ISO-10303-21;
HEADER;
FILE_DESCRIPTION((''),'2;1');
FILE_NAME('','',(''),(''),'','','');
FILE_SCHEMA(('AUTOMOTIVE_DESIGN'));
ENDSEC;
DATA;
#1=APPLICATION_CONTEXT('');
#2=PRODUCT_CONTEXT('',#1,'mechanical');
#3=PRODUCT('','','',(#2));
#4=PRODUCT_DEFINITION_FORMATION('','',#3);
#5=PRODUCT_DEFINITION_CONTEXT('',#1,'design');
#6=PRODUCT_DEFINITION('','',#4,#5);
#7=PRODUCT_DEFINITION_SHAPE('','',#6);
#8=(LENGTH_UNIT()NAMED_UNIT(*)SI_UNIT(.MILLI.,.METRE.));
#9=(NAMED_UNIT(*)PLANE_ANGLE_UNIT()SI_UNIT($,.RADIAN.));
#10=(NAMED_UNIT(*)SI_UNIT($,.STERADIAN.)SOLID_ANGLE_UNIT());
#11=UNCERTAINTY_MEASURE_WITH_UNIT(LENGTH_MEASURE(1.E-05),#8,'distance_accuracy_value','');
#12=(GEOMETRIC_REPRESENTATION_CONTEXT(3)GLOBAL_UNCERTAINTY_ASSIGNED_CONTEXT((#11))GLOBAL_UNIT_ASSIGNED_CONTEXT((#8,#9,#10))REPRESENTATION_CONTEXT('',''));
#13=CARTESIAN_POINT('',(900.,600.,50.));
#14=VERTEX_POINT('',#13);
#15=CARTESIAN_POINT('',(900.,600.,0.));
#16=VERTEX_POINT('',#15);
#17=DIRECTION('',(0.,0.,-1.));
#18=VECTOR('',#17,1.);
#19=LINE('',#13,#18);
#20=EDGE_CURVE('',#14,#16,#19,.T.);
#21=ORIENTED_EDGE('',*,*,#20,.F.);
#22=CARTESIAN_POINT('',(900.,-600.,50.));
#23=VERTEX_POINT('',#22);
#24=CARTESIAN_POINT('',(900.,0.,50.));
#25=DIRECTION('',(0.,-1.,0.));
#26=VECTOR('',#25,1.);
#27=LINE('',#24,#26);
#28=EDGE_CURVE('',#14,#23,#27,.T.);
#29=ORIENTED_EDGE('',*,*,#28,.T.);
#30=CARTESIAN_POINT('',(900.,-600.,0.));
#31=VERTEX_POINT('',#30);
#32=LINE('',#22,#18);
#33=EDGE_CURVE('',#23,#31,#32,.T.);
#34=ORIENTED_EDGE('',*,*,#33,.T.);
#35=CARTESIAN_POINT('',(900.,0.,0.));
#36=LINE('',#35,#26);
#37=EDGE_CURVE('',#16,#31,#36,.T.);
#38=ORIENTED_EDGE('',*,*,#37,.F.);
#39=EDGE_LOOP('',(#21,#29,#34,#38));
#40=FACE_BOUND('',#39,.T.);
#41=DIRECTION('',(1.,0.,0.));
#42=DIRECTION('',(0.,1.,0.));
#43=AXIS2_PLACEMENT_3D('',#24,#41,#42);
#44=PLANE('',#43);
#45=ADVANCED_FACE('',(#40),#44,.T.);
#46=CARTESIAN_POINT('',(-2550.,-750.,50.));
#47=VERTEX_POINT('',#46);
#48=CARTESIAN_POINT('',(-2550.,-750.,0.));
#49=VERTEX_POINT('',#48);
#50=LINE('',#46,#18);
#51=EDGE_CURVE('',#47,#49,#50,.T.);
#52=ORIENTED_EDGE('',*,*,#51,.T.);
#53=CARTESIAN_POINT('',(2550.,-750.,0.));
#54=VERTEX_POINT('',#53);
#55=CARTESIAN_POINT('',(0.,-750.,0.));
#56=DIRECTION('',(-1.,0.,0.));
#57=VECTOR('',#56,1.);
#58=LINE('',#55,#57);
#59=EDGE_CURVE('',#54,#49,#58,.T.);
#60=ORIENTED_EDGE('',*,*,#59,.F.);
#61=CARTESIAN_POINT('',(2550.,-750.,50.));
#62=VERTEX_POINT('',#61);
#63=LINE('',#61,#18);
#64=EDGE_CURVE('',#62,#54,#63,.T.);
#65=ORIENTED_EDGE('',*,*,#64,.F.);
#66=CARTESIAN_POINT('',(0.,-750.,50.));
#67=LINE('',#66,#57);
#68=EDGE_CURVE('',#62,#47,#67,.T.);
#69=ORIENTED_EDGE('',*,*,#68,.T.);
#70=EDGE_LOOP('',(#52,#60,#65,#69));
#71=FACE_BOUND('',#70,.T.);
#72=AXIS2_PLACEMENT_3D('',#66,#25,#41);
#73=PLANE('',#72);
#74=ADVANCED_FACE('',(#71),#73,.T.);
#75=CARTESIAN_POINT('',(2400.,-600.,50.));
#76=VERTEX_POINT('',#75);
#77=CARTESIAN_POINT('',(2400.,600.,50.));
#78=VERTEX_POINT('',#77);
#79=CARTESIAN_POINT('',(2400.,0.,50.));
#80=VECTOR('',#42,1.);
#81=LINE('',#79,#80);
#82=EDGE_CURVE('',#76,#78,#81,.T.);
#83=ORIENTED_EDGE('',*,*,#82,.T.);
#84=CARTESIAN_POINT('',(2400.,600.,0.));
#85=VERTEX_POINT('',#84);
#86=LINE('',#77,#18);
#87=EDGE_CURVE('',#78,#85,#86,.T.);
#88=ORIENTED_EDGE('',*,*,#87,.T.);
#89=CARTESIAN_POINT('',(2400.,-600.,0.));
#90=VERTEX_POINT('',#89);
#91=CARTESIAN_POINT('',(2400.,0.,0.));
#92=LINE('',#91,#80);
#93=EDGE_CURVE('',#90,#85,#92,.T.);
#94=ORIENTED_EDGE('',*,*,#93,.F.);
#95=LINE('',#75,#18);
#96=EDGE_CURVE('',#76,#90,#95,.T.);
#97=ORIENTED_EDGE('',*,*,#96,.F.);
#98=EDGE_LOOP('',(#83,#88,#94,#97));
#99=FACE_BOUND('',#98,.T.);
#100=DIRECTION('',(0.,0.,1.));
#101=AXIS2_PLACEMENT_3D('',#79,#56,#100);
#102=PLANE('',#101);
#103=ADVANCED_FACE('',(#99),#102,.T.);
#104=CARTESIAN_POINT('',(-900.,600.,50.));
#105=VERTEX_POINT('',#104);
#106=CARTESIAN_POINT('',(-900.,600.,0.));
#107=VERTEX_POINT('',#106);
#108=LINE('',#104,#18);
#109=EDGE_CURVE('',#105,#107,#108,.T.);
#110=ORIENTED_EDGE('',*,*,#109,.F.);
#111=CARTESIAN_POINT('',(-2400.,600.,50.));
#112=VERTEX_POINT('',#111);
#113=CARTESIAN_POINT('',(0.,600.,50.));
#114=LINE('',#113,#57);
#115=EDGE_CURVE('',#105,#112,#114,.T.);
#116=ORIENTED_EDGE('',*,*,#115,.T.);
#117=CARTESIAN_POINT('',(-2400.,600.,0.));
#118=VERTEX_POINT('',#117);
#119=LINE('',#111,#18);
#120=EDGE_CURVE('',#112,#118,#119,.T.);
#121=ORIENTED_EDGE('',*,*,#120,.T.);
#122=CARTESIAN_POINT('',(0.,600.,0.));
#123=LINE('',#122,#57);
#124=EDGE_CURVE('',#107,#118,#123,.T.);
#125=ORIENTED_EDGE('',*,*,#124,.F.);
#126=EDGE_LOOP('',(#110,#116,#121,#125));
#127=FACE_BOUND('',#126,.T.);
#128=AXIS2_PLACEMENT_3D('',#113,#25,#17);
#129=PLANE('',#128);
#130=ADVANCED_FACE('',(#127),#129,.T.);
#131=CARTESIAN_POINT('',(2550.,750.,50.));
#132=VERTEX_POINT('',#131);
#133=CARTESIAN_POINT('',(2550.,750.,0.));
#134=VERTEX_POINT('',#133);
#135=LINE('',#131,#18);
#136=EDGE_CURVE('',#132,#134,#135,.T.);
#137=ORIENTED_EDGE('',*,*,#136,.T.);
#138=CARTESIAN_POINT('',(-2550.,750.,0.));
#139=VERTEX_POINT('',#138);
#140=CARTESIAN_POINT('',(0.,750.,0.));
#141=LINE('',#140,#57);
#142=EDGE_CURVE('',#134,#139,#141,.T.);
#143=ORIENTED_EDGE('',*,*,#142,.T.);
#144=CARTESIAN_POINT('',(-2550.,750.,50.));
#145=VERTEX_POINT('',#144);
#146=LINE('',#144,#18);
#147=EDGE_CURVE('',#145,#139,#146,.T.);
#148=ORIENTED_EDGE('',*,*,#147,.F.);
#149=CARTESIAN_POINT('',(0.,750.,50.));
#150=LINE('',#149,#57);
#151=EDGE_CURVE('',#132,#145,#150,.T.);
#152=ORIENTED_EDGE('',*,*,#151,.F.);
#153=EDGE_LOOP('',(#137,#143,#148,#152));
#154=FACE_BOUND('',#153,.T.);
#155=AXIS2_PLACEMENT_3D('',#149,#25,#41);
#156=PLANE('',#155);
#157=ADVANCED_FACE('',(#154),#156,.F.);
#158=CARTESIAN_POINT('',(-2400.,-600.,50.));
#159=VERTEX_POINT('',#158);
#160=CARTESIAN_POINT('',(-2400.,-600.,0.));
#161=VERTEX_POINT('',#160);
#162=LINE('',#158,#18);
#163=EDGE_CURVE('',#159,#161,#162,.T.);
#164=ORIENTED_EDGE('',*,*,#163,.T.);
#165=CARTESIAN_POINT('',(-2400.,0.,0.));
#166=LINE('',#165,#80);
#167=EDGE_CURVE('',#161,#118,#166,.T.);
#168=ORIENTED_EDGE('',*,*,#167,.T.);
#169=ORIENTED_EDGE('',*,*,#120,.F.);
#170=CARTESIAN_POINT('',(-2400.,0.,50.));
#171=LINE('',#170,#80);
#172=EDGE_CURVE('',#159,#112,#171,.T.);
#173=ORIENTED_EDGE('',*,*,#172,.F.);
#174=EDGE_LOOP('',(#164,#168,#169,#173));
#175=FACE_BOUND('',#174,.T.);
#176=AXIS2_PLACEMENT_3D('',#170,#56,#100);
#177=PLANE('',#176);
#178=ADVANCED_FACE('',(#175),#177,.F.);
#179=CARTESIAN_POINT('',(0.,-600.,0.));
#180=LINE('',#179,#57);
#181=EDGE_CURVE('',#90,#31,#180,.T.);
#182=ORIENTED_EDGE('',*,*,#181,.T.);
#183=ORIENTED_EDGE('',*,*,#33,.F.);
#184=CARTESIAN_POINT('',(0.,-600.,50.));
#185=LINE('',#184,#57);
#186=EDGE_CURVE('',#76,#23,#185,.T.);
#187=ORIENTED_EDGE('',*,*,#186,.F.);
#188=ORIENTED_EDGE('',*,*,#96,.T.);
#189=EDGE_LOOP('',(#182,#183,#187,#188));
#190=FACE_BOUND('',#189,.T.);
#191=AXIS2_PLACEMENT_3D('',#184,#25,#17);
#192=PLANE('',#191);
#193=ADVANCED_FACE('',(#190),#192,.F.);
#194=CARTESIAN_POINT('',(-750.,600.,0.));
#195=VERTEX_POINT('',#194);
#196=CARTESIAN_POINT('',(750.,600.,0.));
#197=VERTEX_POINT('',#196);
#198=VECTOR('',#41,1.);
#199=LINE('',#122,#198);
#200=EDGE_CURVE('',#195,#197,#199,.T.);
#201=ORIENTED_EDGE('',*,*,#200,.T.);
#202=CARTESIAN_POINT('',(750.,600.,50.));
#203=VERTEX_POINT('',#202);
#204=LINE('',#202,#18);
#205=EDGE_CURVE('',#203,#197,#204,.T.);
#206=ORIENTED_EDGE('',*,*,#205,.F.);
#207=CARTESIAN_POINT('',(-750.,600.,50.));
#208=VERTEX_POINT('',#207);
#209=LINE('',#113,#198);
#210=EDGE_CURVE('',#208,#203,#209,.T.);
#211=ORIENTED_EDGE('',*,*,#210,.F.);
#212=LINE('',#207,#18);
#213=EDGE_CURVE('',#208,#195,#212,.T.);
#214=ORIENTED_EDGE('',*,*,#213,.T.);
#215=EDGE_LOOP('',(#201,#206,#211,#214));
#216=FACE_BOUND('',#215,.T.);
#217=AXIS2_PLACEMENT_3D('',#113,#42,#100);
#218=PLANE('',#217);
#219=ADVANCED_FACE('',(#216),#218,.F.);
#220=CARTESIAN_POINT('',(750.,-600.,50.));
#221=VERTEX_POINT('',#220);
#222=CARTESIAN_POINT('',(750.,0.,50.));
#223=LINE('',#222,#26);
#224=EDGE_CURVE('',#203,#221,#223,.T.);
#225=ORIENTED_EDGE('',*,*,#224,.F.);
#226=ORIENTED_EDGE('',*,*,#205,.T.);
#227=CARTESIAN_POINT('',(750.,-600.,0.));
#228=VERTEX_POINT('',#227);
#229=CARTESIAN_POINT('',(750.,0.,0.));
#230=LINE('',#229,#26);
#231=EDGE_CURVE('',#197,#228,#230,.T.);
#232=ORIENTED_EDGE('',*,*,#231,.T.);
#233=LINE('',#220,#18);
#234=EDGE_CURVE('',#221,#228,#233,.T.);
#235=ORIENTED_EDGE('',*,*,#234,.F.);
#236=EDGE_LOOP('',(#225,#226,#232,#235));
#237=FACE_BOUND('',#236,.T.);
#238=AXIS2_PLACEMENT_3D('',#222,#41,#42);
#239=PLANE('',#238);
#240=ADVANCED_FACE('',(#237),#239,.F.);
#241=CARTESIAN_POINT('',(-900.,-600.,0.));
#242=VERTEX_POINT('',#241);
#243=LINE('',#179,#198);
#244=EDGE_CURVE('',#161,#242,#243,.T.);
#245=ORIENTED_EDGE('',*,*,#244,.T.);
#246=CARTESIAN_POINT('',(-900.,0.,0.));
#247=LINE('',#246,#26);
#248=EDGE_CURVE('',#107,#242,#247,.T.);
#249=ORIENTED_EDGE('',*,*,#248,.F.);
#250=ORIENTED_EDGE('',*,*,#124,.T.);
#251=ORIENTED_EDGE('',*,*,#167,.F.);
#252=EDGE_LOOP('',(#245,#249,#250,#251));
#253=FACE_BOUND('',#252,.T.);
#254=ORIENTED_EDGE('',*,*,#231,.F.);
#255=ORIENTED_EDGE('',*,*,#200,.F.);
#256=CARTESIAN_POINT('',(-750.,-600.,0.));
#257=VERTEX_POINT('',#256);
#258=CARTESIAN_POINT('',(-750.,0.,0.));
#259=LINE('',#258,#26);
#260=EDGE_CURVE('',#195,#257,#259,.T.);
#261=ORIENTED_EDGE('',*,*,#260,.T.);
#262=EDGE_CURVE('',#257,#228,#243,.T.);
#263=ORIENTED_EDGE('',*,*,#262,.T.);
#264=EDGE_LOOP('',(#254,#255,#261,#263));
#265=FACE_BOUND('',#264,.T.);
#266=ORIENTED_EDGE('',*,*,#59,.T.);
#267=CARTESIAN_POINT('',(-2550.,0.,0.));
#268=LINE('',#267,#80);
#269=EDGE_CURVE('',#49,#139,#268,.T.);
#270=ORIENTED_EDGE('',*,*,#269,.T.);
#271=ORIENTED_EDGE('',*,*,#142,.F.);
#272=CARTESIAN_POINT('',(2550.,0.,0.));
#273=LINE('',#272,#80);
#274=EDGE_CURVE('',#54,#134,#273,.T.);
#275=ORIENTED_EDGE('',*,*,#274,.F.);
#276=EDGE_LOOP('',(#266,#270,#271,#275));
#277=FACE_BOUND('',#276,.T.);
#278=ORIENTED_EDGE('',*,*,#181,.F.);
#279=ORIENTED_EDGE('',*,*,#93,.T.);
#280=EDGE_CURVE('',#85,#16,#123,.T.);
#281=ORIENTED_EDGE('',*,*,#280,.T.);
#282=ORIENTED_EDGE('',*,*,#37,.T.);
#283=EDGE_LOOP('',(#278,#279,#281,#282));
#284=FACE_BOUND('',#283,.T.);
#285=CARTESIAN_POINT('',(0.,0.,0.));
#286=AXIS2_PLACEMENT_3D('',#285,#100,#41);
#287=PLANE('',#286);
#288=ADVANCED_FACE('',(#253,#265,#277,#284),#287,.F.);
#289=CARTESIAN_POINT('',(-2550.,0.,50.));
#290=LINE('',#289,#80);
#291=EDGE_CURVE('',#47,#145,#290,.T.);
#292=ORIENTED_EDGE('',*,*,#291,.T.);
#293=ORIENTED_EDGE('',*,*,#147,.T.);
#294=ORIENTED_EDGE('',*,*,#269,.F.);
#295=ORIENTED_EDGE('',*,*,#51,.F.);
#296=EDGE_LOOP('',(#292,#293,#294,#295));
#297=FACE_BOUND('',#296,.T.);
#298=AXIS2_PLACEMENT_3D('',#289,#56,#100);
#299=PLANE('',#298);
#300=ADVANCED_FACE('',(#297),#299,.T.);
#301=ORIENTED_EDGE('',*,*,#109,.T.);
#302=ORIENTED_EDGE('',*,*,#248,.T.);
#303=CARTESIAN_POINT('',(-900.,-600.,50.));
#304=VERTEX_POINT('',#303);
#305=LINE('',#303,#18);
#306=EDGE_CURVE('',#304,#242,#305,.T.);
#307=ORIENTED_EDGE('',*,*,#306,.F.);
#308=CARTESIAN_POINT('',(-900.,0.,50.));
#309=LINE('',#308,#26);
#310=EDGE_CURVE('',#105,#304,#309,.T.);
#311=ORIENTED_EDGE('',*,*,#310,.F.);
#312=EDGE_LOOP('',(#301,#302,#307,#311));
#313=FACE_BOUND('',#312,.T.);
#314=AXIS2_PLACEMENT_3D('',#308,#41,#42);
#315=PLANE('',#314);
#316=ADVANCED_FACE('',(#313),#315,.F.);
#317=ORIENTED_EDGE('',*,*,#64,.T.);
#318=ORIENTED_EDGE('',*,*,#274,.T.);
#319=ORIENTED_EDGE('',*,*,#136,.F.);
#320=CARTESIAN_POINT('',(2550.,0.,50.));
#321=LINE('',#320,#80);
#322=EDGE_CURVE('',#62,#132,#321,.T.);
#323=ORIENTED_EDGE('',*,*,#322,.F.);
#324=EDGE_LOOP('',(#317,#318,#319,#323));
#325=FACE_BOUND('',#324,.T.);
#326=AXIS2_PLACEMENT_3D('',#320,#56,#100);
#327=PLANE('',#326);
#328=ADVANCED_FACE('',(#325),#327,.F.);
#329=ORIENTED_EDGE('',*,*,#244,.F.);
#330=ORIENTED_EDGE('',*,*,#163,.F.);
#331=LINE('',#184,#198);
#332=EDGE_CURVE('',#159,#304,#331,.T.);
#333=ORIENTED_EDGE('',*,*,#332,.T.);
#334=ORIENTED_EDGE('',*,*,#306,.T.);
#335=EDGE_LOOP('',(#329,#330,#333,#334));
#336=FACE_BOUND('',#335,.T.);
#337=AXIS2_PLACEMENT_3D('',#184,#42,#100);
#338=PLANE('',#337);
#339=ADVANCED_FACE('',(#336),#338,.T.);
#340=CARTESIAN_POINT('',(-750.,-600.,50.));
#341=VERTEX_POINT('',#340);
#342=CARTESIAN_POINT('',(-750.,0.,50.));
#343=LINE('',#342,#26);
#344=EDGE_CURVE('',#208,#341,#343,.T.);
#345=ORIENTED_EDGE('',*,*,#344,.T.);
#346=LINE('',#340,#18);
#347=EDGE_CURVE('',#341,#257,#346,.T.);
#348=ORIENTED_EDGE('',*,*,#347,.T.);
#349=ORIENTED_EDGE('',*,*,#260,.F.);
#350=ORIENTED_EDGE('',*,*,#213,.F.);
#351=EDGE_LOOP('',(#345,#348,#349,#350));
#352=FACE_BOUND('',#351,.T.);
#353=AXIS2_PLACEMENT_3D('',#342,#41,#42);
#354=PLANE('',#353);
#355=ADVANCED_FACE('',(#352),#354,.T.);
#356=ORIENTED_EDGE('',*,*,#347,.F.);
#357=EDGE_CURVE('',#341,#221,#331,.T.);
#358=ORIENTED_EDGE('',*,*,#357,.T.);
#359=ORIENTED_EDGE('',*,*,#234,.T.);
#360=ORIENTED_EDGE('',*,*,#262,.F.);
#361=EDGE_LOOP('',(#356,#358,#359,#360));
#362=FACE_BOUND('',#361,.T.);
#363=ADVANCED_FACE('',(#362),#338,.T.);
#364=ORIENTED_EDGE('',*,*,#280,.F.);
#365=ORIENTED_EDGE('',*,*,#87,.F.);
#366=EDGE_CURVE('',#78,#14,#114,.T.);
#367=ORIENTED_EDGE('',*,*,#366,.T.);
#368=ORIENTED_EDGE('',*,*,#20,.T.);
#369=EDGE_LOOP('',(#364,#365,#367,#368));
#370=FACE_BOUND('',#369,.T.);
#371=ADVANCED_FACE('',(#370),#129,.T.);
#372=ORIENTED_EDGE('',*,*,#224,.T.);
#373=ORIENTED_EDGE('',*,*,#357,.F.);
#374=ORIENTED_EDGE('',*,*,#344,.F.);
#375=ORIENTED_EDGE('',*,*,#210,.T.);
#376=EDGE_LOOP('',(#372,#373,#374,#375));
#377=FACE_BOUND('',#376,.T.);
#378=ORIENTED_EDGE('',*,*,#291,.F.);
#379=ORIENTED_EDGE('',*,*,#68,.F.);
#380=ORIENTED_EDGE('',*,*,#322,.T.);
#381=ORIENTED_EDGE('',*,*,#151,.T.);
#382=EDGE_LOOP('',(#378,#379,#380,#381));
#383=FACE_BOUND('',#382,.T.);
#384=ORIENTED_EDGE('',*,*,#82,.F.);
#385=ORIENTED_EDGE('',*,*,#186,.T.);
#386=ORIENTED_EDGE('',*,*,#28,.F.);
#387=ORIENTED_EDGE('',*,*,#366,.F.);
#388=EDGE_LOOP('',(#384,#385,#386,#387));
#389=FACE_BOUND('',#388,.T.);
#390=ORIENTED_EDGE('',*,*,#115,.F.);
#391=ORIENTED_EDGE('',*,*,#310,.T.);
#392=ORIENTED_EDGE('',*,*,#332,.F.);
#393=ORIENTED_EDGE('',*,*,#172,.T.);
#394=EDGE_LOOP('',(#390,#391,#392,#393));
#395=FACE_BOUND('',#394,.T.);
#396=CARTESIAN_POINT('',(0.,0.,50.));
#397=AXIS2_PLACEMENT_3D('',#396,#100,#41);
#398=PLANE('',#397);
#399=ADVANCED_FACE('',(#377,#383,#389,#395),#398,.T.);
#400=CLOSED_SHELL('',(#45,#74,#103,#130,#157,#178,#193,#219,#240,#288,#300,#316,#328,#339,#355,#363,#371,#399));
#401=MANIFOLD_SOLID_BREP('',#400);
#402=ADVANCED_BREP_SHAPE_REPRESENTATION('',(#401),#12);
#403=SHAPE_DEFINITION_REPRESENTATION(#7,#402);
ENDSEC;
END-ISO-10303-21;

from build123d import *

# Parameters (mm, degrees)
SKETCH1_W           = 5100
SKETCH1_H           = 1500
SKETCH1_W_2         = 1500
SKETCH1_H_2         = 1200
BOSS_EXTRUDE1_DEPTH = 50


with BuildPart() as part:
    # Sketch1 → Boss-Extrude1 (new body)
    with BuildSketch(Plane.XY):
        Rectangle(SKETCH1_W, SKETCH1_H)
        with Locations((1650, 0)):
            Rectangle(SKETCH1_W_2, SKETCH1_H_2, mode=Mode.SUBTRACT)
        with Locations((-1650, 0)):
            Rectangle(SKETCH1_W_2, SKETCH1_H_2, mode=Mode.SUBTRACT)
        Rectangle(SKETCH1_W_2, SKETCH1_H_2, mode=Mode.SUBTRACT)
    extrude(amount=BOSS_EXTRUDE1_DEPTH)


solid = part.part
